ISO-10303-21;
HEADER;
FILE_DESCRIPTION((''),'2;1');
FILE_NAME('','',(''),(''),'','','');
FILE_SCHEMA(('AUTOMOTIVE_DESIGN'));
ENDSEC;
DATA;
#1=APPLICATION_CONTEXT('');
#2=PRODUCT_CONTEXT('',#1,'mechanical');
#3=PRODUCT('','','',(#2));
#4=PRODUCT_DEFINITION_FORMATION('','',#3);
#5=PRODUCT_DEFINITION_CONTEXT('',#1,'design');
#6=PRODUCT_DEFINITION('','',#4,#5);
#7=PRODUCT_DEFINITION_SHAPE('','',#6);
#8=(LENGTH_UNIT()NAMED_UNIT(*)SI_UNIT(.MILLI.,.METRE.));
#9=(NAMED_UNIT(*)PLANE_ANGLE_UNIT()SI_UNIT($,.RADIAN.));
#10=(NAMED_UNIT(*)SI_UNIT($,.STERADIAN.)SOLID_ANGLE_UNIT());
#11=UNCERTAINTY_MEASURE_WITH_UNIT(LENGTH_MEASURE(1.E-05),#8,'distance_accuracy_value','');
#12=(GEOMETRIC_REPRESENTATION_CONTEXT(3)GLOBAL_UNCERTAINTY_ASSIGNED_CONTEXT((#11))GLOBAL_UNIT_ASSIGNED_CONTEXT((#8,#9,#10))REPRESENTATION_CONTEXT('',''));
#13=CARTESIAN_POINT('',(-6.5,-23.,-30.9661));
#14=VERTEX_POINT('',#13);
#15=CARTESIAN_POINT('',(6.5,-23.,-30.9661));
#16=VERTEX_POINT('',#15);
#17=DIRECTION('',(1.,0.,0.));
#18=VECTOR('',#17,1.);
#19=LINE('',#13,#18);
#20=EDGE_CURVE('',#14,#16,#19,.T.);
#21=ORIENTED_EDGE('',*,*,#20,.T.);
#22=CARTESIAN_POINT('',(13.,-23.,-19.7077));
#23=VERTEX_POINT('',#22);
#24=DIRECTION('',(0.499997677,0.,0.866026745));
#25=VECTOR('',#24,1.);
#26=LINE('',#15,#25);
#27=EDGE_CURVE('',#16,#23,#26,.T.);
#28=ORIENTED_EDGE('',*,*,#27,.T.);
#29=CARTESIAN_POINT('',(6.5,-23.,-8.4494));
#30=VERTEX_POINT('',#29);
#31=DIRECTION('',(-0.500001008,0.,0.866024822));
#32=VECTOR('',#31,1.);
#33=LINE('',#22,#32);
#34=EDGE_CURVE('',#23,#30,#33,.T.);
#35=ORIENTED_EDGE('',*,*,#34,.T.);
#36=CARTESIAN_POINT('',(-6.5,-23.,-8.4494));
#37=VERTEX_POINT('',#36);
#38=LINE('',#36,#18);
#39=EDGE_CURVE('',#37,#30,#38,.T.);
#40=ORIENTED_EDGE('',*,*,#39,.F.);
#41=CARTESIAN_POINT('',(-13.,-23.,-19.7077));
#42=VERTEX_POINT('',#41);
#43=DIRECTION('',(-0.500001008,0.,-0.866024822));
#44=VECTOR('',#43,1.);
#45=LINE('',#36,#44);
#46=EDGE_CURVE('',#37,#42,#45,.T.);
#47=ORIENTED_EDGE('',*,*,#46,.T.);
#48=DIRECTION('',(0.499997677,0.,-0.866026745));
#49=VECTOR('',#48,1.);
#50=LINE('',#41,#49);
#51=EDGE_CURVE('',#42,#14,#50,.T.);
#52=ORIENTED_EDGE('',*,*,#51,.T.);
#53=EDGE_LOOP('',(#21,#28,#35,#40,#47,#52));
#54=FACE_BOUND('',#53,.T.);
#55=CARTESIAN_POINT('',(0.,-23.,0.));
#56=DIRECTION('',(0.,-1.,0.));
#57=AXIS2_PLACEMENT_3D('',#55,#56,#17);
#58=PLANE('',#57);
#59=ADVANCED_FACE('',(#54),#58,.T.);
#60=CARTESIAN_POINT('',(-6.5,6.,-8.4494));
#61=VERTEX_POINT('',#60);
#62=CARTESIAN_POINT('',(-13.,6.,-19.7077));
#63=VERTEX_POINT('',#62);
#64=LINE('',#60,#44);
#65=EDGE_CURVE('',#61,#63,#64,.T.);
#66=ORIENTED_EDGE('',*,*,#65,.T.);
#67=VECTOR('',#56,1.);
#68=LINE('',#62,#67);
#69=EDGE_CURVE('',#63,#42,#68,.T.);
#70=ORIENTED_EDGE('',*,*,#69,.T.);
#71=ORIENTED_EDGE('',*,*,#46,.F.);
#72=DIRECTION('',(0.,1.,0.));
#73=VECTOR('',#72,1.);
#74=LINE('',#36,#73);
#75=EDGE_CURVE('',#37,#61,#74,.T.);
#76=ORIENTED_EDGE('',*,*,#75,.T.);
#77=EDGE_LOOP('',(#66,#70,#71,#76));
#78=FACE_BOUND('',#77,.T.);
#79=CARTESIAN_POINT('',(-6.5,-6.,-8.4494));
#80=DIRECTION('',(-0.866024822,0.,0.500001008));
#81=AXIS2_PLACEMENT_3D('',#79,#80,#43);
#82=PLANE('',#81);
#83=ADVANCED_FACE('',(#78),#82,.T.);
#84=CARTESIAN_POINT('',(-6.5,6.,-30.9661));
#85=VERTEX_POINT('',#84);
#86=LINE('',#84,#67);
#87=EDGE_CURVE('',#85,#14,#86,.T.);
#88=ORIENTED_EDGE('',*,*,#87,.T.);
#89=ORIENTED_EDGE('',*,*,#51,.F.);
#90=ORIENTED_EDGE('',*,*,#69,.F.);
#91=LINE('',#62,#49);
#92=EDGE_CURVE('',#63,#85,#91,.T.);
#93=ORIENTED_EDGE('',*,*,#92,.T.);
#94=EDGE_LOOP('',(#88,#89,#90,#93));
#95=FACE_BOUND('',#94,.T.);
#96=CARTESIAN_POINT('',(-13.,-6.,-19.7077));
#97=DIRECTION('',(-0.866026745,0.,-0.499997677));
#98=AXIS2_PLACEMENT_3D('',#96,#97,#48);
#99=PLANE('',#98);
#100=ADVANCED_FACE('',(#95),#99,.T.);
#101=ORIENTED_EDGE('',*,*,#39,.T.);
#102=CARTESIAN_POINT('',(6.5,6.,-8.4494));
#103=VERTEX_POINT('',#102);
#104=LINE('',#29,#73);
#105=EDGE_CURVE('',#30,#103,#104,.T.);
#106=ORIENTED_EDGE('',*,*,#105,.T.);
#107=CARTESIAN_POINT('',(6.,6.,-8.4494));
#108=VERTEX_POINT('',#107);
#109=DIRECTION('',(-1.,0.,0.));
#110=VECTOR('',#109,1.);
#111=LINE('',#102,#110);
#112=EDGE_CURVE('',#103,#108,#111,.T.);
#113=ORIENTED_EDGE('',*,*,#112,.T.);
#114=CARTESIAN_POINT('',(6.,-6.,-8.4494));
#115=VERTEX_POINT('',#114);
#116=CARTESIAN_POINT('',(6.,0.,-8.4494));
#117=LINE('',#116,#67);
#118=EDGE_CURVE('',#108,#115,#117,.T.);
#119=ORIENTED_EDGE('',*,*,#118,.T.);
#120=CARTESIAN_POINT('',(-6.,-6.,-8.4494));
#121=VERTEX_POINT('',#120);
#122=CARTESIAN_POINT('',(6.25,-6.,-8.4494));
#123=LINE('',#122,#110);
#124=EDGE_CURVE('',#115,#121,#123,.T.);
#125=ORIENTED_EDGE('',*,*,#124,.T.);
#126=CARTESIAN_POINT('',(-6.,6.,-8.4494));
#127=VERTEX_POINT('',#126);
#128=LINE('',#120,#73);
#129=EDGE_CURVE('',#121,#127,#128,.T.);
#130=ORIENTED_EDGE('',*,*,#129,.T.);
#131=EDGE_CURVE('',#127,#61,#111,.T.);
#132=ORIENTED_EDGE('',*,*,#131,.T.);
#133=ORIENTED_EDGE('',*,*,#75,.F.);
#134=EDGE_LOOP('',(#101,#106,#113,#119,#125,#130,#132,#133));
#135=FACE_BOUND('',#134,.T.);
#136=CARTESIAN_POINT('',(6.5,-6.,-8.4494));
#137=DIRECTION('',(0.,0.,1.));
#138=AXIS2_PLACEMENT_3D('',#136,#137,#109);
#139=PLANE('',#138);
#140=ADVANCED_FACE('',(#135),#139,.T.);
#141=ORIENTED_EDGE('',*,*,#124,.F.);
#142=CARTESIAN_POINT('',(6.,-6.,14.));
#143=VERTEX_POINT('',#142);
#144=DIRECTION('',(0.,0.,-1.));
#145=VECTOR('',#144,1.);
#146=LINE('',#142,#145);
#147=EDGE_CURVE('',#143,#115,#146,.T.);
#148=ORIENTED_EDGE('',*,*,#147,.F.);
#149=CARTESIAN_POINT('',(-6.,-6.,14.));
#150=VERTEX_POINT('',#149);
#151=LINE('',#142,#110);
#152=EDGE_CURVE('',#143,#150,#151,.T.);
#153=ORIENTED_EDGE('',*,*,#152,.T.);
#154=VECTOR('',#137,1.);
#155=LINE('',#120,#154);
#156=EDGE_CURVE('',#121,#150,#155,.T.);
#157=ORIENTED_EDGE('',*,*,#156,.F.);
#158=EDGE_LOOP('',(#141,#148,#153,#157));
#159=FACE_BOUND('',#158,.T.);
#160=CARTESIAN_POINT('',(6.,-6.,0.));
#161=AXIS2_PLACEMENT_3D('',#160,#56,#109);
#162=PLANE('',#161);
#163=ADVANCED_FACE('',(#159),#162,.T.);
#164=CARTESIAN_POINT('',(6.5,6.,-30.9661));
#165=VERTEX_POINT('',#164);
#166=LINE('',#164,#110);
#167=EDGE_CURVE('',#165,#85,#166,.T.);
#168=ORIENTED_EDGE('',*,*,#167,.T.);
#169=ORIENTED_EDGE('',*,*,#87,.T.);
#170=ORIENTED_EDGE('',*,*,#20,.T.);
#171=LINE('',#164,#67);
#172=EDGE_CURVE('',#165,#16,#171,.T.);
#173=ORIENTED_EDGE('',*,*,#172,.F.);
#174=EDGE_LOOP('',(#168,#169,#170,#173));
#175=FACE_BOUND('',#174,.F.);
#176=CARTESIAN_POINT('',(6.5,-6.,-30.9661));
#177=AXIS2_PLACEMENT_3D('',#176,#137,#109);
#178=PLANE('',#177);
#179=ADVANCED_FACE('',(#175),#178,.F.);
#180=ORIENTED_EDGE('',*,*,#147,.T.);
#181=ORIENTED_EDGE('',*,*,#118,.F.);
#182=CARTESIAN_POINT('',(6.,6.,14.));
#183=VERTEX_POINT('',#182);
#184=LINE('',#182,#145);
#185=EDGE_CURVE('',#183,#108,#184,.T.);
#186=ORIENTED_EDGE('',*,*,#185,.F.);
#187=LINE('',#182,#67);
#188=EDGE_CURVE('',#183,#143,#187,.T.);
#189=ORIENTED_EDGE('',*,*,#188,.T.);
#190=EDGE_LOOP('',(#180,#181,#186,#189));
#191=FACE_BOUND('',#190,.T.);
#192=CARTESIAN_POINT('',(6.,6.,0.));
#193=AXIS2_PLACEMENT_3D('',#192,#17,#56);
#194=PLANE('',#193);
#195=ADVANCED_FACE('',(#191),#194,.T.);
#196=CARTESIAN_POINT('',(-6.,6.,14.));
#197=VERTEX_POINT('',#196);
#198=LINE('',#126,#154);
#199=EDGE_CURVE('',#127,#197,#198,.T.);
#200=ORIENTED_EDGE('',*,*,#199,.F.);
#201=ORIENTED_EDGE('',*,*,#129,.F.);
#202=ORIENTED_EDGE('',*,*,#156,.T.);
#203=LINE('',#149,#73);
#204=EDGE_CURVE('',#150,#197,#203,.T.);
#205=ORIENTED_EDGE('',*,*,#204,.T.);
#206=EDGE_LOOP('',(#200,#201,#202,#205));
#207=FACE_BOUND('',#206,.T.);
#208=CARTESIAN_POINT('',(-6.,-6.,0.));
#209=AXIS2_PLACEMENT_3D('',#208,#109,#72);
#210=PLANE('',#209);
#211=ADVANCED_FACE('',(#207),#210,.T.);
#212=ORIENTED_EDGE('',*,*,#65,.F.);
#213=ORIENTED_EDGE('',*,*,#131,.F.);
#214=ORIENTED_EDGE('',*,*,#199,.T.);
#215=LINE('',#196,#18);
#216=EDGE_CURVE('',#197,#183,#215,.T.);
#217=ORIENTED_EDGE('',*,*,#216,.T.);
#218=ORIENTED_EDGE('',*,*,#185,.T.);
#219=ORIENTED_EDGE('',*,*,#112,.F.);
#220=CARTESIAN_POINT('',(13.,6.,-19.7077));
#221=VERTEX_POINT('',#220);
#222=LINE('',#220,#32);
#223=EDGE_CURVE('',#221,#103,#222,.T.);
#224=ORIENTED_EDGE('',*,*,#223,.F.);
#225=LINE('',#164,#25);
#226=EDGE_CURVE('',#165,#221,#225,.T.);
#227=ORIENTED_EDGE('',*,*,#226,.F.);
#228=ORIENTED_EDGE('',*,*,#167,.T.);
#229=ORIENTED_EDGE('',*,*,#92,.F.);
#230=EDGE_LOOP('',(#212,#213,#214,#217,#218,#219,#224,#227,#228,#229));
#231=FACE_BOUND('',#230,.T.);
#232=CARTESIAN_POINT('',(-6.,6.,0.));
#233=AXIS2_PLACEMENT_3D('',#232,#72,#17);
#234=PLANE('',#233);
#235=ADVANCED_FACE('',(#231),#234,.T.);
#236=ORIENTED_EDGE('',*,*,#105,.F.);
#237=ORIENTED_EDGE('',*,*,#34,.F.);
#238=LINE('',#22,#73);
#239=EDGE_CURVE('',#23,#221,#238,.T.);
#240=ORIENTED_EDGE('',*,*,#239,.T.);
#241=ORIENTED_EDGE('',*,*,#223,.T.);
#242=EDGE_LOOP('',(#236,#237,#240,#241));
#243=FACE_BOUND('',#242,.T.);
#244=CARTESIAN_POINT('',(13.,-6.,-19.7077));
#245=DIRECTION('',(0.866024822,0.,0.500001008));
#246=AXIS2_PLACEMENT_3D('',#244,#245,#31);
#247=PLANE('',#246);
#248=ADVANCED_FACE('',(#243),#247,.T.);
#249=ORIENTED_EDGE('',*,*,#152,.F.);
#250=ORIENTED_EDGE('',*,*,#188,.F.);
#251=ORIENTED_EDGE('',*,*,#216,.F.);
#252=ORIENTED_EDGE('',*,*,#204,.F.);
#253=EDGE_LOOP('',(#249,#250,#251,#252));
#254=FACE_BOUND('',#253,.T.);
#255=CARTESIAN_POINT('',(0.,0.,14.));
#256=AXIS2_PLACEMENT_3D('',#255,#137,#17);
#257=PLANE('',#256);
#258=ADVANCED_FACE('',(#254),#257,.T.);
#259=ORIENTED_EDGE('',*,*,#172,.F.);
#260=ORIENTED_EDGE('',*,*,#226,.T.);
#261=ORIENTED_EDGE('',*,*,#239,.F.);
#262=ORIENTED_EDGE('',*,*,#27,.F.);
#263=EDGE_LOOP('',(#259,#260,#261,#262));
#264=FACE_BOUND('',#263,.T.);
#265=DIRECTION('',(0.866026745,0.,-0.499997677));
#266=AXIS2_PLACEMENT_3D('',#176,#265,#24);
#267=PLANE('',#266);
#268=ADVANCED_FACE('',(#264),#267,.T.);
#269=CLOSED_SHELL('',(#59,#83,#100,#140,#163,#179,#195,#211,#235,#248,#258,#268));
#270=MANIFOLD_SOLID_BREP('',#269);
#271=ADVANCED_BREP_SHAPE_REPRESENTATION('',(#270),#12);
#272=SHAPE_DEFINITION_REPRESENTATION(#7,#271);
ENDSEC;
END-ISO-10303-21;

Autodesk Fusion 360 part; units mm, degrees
sketch "Sketch2" plane through (0, 0, 0) normal (0, 0, 1) x (1, 0, 0)
  line L0 (-6, 6) -> (6, 6)
  line L1 (6, 6) -> (6, -6)
  line L2 (6, -6) -> (-6, -6)
  line L3 (-6, -6) -> (-6, 6)
  line L4 (-6, 6) -> (6, -6) construction
  line L5 (6, 6) -> (-6, -6) construction
  dimension "d1" = 12
  dimension "d2" = 12
extrude "Extrude1" add sketch "Sketch2" along normal blind 14 makes body 1
sketch "Sketch3" plane through (0, -6, 0) normal (0, -1, 0) x (1, 0, 0)
  line L0 (-6, 0) -> (6, 0)
  line L1 (6, 0) -> (6, 14)
  line L2 (6, 14) -> (-6, 14)
  line L3 (-6, 14) -> (-6, 0)
  line L4 (-6, 0) -> (6, 0)
  line L5 (6, 0) -> (6, -30.9661)
  line L6 (6, -30.9661) -> (-6, -30.9661)
  line L7 (-6, -30.9661) -> (-6, 0)
  line L8 (0, 0) -> (0, -30.9661) construction
  line L9 (13, -19.7077) -> (6.5, -8.4494)
  line L10 (6.5, -8.4494) -> (-6.5, -8.4494)
  line L11 (-6.5, -8.4494) -> (-13, -19.7077)
  line L12 (-13, -19.7077) -> (-6.5, -30.9661)
  line L13 (-6.5, -30.9661) -> (6.5, -30.9661)
  line L14 (6.5, -30.9661) -> (13, -19.7077)
  point P0 (0, -19.7077)
  dimension "d5" = 13
extrude "Extrude2" add sketch "Sketch3" along normal blind 17 separate body contours L5 L6 L7 L10 L13 | L7 L10 L11 L12 L13 | L5 L9 L10 L13 L14 makes body 2
extrude "Extrude3" add 1 faces at (2.1667, -6, -15.955) along direction (0, 1, 0) blind 12 on bodies 2 bodies 2
extrude "Extrude4" add 1 faces at (2, -2, 0) along direction (0, 0, -1) blind 10.3851 on bodies 1 bodies 1 2
